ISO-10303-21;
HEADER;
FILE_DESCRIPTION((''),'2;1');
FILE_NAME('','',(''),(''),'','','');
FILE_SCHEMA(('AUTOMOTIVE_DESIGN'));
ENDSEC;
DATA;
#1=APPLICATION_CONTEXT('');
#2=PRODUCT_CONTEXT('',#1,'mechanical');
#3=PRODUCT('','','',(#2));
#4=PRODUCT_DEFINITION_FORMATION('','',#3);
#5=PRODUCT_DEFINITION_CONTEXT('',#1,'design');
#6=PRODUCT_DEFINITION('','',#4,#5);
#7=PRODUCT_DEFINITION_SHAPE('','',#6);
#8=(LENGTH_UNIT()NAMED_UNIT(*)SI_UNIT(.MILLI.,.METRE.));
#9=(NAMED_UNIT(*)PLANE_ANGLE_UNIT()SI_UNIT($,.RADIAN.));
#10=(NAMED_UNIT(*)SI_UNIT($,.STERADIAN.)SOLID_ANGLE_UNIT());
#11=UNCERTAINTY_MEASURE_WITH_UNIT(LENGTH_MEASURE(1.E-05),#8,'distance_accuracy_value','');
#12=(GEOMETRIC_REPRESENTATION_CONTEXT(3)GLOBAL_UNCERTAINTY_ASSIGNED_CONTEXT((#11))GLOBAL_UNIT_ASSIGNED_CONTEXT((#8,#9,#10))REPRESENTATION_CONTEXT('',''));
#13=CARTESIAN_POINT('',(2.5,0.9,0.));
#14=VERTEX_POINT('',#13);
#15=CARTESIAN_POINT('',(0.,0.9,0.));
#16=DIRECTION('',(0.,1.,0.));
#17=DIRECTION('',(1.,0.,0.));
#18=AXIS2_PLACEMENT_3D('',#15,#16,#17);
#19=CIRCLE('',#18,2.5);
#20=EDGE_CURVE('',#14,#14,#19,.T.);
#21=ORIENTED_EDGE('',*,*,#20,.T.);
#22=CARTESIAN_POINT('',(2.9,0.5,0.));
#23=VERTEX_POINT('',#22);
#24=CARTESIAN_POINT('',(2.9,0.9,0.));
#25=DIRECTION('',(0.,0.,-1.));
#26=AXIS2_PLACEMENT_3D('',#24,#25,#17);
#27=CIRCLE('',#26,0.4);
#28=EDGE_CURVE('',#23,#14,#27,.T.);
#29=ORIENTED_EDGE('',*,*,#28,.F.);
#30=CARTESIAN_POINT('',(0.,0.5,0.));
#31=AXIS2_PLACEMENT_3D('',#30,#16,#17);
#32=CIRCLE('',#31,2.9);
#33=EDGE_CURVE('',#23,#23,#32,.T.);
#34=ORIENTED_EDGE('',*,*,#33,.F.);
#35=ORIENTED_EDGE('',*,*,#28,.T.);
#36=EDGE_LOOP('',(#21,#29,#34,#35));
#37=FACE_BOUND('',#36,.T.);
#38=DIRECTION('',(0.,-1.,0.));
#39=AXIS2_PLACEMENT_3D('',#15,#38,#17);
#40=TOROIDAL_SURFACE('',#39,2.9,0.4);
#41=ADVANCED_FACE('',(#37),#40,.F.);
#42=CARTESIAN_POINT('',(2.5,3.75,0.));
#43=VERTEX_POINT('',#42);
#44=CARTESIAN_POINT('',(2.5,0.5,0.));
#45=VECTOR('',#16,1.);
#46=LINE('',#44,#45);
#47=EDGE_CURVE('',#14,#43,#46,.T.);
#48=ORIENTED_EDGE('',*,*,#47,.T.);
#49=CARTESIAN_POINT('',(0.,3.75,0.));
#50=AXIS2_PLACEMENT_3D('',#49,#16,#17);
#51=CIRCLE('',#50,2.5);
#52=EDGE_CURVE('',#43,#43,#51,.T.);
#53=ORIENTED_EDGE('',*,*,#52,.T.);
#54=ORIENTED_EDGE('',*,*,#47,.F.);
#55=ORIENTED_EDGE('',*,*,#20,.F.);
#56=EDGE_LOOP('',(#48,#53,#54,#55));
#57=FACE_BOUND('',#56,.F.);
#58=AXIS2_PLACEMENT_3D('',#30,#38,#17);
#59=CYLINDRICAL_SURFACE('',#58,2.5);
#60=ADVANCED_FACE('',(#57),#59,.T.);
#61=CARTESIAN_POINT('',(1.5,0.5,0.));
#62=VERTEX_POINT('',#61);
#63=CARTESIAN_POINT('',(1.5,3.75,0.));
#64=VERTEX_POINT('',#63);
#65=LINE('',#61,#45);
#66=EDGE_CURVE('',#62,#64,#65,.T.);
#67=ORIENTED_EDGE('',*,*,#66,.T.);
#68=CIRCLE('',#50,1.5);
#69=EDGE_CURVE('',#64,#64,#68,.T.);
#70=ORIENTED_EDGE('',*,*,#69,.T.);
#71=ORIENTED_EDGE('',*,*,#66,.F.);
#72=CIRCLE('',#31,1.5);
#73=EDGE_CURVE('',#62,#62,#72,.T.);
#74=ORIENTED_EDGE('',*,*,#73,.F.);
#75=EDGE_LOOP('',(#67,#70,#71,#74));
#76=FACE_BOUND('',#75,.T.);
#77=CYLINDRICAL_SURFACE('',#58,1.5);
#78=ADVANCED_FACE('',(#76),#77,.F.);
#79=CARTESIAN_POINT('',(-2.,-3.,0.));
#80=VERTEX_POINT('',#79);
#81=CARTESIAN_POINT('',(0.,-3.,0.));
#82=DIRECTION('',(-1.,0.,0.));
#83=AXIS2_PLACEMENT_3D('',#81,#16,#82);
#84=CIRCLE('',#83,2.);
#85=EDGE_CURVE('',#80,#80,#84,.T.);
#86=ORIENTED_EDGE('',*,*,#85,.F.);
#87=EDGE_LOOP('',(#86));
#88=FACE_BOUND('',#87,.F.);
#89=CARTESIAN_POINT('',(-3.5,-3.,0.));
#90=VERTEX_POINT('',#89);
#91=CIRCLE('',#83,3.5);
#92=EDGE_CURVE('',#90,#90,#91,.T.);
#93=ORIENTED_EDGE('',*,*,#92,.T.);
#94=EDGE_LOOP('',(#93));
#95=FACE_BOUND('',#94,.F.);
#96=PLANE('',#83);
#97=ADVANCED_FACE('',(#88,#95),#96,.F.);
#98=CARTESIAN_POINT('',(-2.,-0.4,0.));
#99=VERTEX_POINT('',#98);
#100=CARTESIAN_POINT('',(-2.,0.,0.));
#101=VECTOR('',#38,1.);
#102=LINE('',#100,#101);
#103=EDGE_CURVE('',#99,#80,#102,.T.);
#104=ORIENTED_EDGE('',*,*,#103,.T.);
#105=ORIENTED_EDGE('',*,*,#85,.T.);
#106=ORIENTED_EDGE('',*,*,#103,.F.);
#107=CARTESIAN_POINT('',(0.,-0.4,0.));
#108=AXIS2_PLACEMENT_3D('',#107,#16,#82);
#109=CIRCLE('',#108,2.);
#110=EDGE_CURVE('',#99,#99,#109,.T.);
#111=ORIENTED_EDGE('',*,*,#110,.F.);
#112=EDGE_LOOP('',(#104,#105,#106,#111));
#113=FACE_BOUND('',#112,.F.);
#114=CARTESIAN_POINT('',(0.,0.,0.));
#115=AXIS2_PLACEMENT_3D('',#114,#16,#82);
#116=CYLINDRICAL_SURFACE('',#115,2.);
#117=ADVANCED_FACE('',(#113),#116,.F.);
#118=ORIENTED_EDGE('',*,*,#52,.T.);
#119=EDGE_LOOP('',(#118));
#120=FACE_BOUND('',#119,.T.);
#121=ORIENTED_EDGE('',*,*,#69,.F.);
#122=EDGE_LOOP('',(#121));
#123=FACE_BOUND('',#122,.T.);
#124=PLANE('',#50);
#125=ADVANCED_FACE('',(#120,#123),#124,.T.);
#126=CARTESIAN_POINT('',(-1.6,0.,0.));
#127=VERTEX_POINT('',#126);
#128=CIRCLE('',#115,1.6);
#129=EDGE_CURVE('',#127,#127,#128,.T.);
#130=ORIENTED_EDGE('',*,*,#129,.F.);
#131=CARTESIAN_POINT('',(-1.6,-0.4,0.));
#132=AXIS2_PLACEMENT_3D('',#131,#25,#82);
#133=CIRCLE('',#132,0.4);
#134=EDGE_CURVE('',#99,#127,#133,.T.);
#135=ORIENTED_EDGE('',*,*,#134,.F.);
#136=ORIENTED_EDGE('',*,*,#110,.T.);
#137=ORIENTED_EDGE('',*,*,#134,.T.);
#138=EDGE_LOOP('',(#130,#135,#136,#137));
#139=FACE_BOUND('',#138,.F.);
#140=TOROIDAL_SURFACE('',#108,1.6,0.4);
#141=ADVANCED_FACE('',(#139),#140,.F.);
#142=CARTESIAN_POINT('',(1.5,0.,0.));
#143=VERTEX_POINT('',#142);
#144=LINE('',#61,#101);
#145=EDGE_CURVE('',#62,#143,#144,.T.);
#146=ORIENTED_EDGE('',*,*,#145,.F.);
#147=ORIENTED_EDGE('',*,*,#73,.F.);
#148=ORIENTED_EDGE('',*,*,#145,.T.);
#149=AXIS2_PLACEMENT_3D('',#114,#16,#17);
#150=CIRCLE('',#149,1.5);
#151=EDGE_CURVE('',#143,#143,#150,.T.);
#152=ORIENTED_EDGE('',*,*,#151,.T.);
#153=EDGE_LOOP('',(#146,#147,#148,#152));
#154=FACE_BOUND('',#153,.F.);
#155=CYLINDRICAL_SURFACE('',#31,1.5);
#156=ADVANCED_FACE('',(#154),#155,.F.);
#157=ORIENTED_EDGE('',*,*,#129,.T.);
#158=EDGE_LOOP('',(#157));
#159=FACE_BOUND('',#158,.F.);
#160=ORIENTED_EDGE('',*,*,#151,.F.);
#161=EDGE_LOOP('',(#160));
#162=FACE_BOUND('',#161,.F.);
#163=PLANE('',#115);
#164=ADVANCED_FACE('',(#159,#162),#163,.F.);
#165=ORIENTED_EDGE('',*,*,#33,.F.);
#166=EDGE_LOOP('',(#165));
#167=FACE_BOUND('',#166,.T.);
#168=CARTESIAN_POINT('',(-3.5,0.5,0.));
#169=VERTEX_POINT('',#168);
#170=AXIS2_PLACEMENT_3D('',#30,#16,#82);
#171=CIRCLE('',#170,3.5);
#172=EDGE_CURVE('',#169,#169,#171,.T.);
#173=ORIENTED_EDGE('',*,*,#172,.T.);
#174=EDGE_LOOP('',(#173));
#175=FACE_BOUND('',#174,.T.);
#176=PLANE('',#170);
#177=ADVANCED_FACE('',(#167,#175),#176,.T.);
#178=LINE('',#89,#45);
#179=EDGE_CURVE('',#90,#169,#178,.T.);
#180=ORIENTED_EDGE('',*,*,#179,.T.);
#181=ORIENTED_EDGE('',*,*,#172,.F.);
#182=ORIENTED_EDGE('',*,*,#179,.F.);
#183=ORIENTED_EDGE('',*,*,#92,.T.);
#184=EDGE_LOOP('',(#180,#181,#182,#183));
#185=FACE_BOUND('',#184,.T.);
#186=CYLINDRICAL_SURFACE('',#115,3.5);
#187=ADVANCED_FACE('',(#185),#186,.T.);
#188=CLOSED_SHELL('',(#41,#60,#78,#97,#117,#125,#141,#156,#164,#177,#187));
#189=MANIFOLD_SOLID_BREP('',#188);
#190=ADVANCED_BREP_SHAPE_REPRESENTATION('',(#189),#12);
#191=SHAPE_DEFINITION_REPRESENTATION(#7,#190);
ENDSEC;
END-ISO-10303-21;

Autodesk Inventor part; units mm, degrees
ref_plane "YZ Plane" through (0, 0, 0) normal (1, 0, 0) x (0, 1, 0)
ref_plane "XZ Plane" through (0, 0, 0) normal (0, 1, 0) x (-1, 0, 0)
ref_plane "XY Plane" through (0, 0, 0) normal (0, 0, 1) x (1, 0, 0)
sketch "Sketch1" plane through (0, 0, 0) normal (0, 1, 0) x (-1, 0, 0)
  circle A0 centre (0, 0) radius 3.5
  circle A1 centre (0, 0) radius 2
  dimension "d0" = 7
  dimension "d2" = 4
extrude "Extrusion1" add sketch "Sketch1" against normal blind 3
extrude "Extrusion2" add sketch "Sketch1" along normal blind 0.5 contours A0 | A1
sketch "Sketch2" plane through (0, 0.5, 0) normal (0, 1, 0) x (1, 0, 0)
  circle A0 centre (0, 0) radius 2.5
  circle A1 centre (0, 0) radius 1.5
  dimension "d10" = 5
  dimension "d11" = 3
extrude "Extrusion4" add sketch "Sketch2" along normal blind 3.25
fillet "Fillet1" radius 0.4 2 edges at (-2.5, 0.5, 0) (2, 0, 0)
extrude "Extrusion5" cut sketch "Sketch2" against normal blind 3.25 contours A1
properties part number "m.2 support"
